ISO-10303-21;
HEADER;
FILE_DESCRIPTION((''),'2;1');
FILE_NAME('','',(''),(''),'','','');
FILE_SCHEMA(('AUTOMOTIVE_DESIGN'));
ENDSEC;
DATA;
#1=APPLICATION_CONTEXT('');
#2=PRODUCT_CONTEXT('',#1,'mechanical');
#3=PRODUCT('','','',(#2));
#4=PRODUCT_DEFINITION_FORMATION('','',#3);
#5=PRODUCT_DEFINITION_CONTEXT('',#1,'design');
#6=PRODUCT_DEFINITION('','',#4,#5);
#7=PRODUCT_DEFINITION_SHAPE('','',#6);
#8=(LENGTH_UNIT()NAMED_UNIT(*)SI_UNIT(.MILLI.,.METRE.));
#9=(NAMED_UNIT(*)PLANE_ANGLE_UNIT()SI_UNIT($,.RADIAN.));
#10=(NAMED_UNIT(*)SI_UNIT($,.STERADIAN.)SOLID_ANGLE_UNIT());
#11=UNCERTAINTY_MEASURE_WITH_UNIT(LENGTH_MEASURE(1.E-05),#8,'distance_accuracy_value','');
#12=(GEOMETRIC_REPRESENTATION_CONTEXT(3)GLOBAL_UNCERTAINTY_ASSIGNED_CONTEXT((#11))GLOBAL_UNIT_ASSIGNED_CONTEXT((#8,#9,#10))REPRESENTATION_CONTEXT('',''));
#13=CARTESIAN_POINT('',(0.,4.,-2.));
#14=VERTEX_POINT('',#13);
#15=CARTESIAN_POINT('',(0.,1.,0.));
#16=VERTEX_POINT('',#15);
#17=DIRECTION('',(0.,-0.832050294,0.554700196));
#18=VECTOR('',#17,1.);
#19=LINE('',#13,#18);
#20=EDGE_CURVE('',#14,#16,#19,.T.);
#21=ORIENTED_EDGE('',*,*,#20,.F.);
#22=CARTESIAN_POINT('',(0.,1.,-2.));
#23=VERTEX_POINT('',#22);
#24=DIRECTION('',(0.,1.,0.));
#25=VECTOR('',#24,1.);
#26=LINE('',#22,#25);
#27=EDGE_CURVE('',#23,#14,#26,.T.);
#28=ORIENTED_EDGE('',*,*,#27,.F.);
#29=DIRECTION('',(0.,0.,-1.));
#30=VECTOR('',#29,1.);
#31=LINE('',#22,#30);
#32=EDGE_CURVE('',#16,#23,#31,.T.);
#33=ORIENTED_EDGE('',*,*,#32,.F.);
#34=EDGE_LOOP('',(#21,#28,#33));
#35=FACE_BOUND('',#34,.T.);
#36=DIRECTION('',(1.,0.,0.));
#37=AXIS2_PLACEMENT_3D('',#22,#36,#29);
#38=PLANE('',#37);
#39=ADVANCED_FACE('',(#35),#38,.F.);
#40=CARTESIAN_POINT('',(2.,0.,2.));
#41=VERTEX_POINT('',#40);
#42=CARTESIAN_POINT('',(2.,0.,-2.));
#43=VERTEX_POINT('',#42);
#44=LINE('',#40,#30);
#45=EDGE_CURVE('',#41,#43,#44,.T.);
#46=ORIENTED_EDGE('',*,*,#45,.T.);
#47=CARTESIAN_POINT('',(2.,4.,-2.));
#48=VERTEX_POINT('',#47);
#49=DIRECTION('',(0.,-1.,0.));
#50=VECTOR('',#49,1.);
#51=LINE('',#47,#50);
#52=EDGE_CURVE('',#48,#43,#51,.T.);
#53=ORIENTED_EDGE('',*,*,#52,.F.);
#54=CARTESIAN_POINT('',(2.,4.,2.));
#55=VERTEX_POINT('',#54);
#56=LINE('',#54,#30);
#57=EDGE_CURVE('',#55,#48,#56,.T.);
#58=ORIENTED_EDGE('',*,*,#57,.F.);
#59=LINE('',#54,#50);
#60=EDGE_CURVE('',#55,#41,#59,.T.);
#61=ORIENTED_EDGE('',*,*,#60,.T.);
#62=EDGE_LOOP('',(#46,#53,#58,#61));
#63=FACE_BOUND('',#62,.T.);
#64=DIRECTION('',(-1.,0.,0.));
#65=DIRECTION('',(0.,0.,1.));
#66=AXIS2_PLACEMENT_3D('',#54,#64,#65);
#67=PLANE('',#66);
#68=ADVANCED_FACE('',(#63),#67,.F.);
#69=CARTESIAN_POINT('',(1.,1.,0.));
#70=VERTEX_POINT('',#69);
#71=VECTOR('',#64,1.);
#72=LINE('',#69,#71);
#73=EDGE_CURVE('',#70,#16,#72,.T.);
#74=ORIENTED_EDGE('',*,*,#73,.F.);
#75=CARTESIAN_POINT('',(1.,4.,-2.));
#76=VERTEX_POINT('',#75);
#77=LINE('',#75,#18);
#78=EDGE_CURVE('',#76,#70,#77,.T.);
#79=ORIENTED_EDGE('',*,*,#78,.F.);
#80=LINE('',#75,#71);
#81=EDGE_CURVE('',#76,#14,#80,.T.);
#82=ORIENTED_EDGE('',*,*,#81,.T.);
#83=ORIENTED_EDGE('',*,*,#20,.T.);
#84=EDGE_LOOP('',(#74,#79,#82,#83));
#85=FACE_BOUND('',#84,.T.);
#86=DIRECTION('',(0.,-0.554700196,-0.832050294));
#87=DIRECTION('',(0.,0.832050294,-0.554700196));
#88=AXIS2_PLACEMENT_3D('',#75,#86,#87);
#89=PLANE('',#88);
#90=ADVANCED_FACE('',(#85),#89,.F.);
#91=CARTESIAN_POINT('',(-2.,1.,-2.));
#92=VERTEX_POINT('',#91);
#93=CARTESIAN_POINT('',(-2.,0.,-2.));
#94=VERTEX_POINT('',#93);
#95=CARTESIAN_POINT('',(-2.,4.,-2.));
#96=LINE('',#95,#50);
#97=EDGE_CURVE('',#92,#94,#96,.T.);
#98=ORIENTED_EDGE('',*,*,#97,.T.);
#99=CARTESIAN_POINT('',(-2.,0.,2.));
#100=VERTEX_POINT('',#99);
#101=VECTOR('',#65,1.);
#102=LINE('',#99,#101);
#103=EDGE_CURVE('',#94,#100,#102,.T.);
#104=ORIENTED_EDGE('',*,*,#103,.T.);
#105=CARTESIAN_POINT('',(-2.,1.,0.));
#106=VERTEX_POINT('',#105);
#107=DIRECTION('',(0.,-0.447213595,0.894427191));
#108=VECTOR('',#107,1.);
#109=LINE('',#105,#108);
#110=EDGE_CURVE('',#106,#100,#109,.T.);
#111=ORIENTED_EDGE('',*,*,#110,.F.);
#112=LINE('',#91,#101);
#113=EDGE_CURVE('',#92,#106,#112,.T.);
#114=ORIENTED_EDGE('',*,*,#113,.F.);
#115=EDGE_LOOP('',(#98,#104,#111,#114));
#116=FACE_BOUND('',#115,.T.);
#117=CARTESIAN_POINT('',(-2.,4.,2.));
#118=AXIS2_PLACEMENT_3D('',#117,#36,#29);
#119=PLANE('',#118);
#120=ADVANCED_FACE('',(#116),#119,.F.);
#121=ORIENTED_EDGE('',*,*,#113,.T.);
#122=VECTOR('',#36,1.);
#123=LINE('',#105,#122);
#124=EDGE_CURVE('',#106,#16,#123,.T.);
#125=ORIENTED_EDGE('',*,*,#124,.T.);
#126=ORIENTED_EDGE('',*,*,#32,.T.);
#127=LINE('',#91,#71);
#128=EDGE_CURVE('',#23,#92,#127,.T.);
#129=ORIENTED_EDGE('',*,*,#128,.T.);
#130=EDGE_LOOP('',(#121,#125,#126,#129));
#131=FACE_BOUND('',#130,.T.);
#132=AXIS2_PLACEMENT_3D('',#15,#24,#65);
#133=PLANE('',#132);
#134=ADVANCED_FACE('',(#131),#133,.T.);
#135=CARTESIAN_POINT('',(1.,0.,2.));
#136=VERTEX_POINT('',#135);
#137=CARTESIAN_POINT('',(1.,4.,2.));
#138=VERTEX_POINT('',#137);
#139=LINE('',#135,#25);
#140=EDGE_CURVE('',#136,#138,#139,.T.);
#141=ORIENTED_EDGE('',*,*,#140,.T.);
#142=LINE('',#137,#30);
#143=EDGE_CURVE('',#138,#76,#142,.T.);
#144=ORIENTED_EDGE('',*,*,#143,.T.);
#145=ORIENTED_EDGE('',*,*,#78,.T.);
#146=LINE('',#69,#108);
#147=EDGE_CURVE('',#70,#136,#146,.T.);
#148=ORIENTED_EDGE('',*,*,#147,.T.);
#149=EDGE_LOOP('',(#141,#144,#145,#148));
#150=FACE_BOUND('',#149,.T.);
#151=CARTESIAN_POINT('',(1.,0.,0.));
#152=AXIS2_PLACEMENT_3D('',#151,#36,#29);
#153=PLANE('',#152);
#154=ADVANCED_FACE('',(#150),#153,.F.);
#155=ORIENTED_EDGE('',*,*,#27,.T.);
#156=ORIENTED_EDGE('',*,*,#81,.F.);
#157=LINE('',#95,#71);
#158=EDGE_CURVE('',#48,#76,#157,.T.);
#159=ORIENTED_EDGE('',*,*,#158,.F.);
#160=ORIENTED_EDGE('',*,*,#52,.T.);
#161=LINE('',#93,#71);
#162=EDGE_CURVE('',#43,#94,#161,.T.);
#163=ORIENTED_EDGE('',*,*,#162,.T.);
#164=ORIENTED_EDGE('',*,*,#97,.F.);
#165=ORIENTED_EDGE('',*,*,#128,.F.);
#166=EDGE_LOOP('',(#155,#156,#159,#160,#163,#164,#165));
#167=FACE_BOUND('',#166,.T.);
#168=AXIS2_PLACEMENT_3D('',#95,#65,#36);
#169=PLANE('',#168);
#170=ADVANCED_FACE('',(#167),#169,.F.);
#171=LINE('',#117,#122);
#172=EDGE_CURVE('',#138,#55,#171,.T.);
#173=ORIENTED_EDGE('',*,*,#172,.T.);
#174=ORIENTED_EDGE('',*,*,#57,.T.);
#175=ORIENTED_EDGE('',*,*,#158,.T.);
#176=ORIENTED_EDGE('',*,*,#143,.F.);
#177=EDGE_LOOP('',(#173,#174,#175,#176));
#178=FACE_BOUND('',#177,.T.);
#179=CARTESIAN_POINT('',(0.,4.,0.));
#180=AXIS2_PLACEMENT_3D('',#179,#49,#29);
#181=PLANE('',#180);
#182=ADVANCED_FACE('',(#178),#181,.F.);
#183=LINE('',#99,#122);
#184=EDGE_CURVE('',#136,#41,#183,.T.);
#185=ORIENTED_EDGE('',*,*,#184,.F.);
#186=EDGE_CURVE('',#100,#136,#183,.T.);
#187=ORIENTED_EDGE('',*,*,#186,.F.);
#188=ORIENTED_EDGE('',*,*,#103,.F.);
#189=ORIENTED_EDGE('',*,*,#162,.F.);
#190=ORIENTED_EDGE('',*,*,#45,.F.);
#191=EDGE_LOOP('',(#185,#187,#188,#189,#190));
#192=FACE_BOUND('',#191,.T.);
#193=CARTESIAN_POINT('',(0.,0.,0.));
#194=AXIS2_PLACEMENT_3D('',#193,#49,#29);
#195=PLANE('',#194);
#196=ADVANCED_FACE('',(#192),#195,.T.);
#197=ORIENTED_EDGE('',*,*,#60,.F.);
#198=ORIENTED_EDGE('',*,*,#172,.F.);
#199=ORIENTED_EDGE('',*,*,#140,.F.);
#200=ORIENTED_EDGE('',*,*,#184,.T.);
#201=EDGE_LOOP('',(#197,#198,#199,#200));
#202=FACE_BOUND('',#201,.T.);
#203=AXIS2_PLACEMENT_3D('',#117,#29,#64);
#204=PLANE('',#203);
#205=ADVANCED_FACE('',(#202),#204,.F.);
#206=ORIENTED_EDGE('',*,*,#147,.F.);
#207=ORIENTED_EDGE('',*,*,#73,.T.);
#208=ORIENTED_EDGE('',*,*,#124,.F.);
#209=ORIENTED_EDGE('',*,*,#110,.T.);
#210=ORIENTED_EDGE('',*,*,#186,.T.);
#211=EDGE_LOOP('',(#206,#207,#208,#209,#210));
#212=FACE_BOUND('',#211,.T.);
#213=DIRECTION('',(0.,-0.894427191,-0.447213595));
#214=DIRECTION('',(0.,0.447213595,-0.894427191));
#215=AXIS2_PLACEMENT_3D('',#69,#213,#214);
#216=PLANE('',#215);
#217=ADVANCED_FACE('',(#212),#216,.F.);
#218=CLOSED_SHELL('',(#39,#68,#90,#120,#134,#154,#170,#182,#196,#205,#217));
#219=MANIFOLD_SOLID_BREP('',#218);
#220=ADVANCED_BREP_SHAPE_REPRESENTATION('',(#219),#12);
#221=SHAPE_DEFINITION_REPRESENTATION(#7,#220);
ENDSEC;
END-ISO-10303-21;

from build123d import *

# Parameters (mm, degrees)
SKETCH1_W           = 4
SKETCH1_H           = 4
BOSS_EXTRUDE1_DEPTH = 4
CUT_EXTRUDE1_DEPTH  = 3
SKETCH3_W           = 2
SKETCH3_H           = 2
CUT_EXTRUDE2_DEPTH  = 3


with BuildPart() as part:
    # Sketch1 → Boss-Extrude1 (new body)
    with BuildSketch(Plane(origin=(0, 0, 0), x_dir=(1, 0, 0), z_dir=(0, 1, 0))):
        Rectangle(SKETCH1_W, SKETCH1_H)
    extrude(amount=BOSS_EXTRUDE1_DEPTH)

    # Sketch2 → Cut-Extrude1 (cut)
    with BuildSketch(Plane.ZY.offset(2)):
        Polygon((-2, 4), (0, 1), (2, 0), (2, 4), align=None)
    extrude(amount=-CUT_EXTRUDE1_DEPTH, mode=Mode.SUBTRACT)

    # Sketch3 → Cut-Extrude2 (cut)
    with BuildSketch(Plane(origin=(0, 4, 0), x_dir=(1, 0, 0), z_dir=(0, 1, 0))):
        with Locations((-1, 1)):
            Rectangle(SKETCH3_W, SKETCH3_H)
    extrude(amount=-CUT_EXTRUDE2_DEPTH, mode=Mode.SUBTRACT)


solid = part.part
